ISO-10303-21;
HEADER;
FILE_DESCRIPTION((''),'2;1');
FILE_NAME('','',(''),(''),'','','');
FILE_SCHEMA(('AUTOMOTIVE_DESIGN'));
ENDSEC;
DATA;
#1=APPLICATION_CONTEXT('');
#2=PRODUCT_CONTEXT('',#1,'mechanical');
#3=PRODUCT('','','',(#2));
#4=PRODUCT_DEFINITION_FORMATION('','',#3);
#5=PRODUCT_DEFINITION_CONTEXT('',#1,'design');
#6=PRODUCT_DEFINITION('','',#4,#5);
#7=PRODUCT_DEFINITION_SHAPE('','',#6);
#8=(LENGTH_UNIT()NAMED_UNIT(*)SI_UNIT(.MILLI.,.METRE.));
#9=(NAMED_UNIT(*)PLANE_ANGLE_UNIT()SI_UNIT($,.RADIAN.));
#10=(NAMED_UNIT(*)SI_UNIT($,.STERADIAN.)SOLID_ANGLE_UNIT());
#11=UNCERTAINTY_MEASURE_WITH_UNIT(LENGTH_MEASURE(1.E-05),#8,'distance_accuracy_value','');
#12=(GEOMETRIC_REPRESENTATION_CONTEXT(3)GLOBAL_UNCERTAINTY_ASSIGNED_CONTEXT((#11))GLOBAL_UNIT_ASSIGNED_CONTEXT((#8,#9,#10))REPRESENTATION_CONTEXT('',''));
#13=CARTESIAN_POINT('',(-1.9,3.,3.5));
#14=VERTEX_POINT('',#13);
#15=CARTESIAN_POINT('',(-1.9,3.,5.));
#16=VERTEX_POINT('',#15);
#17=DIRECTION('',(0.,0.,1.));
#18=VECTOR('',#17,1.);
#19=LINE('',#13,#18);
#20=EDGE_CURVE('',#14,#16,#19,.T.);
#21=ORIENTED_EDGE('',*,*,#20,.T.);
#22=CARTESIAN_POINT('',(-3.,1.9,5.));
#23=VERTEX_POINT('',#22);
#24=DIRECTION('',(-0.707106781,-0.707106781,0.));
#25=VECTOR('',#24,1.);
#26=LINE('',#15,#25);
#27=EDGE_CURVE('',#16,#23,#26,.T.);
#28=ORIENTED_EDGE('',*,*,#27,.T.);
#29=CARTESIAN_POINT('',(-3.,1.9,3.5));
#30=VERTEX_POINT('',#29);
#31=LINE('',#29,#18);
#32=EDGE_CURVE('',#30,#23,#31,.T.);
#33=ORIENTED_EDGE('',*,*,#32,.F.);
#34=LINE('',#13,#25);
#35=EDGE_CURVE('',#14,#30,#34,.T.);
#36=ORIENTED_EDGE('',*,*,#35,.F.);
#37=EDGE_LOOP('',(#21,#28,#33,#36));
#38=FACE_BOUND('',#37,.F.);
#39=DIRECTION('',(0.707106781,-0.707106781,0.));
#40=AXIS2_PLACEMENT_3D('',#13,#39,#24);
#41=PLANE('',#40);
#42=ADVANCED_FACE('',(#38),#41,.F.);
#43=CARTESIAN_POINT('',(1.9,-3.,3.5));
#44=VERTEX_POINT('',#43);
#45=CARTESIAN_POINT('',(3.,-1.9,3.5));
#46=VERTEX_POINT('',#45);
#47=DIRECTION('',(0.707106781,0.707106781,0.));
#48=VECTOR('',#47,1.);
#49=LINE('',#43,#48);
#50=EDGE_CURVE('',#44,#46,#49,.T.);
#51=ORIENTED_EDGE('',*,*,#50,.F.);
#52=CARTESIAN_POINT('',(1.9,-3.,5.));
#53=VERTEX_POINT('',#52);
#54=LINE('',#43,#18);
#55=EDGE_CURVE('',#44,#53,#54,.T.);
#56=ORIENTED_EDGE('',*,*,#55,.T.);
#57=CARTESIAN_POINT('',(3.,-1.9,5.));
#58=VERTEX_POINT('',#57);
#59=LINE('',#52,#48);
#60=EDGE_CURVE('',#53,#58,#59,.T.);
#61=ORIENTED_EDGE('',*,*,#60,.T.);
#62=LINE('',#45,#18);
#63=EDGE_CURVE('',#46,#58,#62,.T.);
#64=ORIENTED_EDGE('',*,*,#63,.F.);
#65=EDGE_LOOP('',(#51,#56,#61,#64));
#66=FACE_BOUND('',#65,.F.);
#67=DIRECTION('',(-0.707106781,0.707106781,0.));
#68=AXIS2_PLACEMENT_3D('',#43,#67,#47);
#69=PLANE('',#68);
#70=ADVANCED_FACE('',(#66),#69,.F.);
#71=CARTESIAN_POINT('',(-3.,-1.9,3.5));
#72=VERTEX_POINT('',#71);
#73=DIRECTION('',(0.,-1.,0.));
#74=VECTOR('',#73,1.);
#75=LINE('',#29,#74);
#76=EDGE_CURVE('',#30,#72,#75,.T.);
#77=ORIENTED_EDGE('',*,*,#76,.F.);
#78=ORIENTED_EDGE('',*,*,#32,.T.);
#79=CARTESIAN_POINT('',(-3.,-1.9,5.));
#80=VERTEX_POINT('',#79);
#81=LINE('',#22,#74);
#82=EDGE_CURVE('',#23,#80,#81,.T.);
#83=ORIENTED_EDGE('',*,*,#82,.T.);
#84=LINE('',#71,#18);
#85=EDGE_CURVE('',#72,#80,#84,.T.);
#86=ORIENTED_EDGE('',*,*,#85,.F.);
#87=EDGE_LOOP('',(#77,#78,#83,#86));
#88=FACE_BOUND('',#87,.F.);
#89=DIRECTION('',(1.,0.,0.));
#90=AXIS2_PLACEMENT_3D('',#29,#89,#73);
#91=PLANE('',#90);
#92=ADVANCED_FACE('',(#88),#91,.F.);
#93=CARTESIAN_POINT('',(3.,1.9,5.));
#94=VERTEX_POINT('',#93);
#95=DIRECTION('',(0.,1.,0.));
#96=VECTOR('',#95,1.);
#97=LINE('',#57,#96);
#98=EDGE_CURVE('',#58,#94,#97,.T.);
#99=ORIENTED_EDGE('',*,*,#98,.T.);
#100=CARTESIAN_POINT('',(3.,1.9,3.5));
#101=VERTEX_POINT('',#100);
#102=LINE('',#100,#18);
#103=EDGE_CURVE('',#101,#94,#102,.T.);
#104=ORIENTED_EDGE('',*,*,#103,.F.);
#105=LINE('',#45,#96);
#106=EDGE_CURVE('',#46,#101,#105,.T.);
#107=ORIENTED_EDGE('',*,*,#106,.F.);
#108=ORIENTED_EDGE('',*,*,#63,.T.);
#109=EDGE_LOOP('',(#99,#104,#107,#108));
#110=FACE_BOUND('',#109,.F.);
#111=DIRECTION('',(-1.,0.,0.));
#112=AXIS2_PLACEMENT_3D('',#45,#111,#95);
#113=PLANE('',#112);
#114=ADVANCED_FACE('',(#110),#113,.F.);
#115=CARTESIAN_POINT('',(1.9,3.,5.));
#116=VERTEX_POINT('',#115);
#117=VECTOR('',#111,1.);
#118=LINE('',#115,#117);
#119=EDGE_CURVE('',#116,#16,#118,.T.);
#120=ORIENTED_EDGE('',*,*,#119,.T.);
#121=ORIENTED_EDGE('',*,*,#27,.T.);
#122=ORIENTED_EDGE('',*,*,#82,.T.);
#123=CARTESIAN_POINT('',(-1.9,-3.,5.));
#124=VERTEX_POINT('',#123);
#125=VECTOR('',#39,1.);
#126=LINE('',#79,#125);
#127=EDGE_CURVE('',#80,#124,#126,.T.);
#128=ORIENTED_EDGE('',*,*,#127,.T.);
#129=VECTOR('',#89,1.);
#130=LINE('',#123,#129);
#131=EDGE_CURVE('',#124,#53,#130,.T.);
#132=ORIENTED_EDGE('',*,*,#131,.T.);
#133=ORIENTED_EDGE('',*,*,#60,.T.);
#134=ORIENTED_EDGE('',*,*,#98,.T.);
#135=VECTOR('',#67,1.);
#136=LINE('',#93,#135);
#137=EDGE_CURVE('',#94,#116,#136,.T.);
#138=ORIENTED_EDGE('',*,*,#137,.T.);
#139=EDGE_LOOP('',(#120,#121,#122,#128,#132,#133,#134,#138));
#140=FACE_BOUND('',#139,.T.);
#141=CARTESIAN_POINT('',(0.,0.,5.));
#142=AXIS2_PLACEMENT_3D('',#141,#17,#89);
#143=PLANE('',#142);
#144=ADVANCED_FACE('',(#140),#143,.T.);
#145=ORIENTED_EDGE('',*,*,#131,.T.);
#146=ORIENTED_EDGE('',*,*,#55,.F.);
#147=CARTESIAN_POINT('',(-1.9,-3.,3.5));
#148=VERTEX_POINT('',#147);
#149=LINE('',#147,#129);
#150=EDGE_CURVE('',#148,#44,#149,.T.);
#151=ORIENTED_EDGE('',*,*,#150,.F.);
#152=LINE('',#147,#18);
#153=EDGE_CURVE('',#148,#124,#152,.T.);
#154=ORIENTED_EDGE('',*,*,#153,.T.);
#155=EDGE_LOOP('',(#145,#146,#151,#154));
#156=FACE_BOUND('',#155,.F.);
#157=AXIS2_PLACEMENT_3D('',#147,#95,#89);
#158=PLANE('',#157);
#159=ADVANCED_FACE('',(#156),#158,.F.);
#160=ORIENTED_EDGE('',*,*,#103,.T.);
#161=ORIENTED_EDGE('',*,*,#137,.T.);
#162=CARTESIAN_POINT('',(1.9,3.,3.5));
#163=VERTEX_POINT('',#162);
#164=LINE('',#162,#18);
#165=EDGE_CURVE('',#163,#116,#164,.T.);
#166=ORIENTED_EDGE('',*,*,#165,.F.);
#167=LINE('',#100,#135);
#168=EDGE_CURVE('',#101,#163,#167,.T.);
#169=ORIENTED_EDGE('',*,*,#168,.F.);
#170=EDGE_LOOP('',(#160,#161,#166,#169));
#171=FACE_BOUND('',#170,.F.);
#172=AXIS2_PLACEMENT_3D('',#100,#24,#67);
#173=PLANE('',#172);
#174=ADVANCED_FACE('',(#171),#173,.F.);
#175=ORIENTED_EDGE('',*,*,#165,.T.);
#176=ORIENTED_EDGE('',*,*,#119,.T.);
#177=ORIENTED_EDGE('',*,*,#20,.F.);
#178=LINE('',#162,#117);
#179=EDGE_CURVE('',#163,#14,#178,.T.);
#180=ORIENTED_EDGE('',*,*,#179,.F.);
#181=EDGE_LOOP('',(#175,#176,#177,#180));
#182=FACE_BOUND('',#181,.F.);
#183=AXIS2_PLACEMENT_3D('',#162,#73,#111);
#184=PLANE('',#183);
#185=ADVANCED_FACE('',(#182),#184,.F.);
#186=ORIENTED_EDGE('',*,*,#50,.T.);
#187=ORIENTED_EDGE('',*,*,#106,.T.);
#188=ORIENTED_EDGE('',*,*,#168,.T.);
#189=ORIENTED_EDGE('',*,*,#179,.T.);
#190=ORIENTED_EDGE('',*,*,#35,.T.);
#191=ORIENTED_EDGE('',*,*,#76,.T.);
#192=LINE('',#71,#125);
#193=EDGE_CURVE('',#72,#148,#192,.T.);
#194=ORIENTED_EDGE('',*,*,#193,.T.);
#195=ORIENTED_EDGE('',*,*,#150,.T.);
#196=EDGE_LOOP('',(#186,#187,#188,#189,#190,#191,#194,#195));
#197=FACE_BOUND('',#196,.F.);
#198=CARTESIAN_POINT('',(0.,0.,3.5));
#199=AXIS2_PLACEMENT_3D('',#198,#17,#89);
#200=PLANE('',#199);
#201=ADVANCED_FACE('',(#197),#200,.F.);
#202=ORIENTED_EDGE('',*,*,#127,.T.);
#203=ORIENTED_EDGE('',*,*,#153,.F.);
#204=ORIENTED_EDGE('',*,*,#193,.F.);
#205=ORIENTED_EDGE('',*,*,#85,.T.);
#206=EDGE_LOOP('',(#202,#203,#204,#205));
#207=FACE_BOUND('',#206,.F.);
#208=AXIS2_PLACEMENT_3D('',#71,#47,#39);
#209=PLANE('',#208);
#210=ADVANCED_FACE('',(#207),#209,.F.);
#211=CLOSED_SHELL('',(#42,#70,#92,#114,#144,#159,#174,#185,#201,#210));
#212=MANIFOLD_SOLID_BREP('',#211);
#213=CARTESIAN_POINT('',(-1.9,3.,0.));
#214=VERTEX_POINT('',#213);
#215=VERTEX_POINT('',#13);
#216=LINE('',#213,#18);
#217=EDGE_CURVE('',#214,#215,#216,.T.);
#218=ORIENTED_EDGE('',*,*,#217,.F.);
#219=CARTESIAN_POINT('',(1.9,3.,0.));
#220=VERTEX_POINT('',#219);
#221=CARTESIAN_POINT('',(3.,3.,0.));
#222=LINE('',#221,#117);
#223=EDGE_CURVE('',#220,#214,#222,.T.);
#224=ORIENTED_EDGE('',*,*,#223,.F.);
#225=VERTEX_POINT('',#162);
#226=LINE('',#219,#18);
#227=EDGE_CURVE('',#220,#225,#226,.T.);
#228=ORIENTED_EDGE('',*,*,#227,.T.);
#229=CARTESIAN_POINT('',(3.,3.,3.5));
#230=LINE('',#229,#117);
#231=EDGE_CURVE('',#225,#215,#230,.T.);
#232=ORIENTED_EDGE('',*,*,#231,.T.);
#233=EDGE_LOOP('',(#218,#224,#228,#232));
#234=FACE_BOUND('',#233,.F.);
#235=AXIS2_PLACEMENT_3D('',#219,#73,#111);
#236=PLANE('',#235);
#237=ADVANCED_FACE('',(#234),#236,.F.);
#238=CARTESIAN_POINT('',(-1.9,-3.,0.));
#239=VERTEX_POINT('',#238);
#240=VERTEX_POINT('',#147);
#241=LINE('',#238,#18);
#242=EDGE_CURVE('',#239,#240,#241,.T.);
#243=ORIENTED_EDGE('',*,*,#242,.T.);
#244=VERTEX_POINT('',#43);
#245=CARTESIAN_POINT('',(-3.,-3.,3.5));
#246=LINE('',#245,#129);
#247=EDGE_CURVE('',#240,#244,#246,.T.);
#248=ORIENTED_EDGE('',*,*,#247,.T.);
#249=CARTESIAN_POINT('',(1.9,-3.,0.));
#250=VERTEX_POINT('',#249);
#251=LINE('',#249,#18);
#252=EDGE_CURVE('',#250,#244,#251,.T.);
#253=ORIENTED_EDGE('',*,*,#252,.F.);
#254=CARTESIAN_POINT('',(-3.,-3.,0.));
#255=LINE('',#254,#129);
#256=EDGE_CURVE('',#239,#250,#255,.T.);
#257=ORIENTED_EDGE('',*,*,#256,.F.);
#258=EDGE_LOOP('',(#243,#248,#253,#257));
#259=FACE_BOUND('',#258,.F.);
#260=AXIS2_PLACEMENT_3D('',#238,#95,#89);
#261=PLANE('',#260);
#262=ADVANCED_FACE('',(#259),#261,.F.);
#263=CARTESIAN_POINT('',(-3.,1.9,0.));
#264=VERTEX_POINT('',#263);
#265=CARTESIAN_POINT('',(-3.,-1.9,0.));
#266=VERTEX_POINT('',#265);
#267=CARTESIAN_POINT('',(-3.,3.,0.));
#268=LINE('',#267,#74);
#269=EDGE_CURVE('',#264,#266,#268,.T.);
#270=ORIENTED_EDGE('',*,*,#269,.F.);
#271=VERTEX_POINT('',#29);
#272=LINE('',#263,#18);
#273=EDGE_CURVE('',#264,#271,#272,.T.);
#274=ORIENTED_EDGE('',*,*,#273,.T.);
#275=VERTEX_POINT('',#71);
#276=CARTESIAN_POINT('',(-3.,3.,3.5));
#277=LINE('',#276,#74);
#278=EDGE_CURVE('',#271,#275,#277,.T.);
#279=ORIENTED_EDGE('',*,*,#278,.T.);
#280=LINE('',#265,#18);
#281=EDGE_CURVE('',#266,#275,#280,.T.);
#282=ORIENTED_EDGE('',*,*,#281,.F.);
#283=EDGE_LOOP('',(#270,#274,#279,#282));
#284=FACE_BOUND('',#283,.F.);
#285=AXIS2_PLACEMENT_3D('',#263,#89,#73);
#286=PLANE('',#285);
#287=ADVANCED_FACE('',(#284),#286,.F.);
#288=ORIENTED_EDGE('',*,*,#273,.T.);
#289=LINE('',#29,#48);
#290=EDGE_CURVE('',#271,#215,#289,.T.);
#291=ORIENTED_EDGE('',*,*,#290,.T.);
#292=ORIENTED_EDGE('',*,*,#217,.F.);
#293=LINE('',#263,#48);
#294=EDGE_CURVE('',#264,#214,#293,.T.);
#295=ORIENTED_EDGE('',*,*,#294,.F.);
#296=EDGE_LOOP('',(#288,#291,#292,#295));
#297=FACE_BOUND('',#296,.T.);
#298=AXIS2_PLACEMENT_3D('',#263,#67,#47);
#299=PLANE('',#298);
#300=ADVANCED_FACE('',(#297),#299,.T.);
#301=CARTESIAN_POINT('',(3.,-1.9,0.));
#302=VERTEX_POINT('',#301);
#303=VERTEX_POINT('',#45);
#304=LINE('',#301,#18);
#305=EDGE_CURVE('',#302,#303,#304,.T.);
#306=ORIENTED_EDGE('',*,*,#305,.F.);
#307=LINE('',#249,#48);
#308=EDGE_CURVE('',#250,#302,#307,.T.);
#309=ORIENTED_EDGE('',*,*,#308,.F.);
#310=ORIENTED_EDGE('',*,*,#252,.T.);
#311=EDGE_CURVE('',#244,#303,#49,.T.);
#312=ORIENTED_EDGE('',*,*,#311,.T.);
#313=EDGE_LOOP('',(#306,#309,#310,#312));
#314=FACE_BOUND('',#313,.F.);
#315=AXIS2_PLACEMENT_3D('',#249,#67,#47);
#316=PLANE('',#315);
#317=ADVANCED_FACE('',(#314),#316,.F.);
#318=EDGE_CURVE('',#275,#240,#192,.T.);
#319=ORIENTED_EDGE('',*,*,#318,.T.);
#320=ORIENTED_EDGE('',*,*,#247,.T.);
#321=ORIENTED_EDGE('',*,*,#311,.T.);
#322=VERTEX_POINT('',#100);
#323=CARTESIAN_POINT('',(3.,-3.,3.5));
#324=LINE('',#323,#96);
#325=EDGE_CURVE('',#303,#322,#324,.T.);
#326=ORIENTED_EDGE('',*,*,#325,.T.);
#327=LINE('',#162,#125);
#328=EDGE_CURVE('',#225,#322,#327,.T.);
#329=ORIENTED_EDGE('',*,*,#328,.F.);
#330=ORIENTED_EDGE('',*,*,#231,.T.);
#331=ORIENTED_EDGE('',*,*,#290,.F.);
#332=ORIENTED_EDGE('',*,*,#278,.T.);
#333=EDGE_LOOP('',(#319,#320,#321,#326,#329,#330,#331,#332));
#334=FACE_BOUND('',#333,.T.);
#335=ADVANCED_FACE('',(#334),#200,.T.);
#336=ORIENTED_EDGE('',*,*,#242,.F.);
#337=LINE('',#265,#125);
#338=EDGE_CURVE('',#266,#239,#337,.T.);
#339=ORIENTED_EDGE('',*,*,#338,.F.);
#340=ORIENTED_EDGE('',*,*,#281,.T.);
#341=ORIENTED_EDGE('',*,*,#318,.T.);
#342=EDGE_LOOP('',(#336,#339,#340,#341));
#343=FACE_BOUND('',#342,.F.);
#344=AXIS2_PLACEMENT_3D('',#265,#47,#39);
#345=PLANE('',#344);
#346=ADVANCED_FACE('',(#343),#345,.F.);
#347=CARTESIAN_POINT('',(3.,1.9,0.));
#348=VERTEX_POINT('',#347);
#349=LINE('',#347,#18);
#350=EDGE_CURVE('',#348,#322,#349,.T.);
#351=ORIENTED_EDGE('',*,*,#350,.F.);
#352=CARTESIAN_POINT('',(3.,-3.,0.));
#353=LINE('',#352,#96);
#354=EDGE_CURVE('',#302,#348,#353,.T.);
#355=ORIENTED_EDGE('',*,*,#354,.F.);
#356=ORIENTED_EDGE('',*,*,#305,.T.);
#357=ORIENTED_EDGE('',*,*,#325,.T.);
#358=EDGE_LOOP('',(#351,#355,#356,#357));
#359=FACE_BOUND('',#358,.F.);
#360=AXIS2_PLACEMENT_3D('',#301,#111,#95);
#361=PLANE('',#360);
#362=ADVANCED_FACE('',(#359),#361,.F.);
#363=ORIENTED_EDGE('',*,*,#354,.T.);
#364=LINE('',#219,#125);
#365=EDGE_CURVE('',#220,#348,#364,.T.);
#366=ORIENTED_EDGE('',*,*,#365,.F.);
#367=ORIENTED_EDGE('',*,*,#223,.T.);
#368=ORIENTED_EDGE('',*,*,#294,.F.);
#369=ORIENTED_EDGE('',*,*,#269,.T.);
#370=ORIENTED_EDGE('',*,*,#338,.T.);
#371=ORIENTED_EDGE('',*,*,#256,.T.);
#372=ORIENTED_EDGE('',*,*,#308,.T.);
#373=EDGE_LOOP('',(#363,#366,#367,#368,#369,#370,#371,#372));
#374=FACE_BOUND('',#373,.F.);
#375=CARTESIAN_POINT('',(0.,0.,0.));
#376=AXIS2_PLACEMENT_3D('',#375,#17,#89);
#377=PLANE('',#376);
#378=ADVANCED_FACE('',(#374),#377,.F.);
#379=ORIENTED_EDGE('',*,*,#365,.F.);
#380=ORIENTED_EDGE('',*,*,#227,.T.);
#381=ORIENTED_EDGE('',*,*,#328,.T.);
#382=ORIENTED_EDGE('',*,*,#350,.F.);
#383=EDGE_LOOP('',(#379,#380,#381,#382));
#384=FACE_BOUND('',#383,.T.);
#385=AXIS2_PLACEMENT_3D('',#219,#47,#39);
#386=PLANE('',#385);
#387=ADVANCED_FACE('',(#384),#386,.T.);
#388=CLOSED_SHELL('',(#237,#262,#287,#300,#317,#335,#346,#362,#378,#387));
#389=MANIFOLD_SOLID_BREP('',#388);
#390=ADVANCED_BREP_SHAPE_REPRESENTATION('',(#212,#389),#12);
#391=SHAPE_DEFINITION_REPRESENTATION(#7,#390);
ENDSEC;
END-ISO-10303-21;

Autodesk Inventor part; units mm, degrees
ref_plane "YZ Plane" through (0, 0, 0) normal (1, 0, 0) x (0, 1, 0)
ref_plane "XZ Plane" through (0, 0, 0) normal (0, 1, 0) x (-1, 0, 0)
ref_plane "XY Plane" through (0, 0, 0) normal (0, 0, 1) x (1, 0, 0)
sketch "Эскиз1" plane through (0, 0, 0) normal (0, 0, 1) x (1, 0, 0)
  line L0 (-3, -3) -> (3, -3)
  line L1 (3, -3) -> (3, 3)
  line L2 (3, 3) -> (-3, 3)
  line L3 (-3, 3) -> (-3, -3)
  line L4 (-3, -3) -> (3, 3) construction
  line L5 (3, -3) -> (-3, 3) construction
  line L6 (-3, 1.9) -> (-1.9, 3)
  line L7 (1.9, 3) -> (3, 1.9)
  line L8 (-3, -1.9) -> (-1.9, -3)
  line L9 (1.9, -3) -> (3, -1.9)
  point P0 (0, 0)
  dimension "d0" = 6
  dimension "d1" = 6
  dimension "d6" = 3.8
  dimension "d7" = 3.8
extrude "Выдавливание1" add sketch "Эскиз1" along normal blind 3.5 contours L8 L3 L6 L2 L7 L1 L9 L0
sketch "Эскиз2" plane through (0, 0, 3.5) normal (0, 0, 1) x (1, 0, 0)
  line L0 (3, -1.9) -> (3, 1.9) projected
  line L1 (1.9, 3) -> (-1.9, 3) projected
  line L2 (-3, 1.9) -> (-3, -1.9) projected
  line L3 (-1.9, -3) -> (1.9, -3) projected
  line L4 (3, 1.9) -> (1.9, 3) projected
  line L5 (-1.9, 3) -> (-3, 1.9) projected
  line L6 (-3, -1.9) -> (-1.9, -3) projected
  line L7 (1.9, -3) -> (3, -1.9) projected
  point P0 (0, 0)
extrude "Выдавливание2" add sketch "Эскиз2" along normal blind 1.5 separate body
properties part number "Кнопка маленькая"
